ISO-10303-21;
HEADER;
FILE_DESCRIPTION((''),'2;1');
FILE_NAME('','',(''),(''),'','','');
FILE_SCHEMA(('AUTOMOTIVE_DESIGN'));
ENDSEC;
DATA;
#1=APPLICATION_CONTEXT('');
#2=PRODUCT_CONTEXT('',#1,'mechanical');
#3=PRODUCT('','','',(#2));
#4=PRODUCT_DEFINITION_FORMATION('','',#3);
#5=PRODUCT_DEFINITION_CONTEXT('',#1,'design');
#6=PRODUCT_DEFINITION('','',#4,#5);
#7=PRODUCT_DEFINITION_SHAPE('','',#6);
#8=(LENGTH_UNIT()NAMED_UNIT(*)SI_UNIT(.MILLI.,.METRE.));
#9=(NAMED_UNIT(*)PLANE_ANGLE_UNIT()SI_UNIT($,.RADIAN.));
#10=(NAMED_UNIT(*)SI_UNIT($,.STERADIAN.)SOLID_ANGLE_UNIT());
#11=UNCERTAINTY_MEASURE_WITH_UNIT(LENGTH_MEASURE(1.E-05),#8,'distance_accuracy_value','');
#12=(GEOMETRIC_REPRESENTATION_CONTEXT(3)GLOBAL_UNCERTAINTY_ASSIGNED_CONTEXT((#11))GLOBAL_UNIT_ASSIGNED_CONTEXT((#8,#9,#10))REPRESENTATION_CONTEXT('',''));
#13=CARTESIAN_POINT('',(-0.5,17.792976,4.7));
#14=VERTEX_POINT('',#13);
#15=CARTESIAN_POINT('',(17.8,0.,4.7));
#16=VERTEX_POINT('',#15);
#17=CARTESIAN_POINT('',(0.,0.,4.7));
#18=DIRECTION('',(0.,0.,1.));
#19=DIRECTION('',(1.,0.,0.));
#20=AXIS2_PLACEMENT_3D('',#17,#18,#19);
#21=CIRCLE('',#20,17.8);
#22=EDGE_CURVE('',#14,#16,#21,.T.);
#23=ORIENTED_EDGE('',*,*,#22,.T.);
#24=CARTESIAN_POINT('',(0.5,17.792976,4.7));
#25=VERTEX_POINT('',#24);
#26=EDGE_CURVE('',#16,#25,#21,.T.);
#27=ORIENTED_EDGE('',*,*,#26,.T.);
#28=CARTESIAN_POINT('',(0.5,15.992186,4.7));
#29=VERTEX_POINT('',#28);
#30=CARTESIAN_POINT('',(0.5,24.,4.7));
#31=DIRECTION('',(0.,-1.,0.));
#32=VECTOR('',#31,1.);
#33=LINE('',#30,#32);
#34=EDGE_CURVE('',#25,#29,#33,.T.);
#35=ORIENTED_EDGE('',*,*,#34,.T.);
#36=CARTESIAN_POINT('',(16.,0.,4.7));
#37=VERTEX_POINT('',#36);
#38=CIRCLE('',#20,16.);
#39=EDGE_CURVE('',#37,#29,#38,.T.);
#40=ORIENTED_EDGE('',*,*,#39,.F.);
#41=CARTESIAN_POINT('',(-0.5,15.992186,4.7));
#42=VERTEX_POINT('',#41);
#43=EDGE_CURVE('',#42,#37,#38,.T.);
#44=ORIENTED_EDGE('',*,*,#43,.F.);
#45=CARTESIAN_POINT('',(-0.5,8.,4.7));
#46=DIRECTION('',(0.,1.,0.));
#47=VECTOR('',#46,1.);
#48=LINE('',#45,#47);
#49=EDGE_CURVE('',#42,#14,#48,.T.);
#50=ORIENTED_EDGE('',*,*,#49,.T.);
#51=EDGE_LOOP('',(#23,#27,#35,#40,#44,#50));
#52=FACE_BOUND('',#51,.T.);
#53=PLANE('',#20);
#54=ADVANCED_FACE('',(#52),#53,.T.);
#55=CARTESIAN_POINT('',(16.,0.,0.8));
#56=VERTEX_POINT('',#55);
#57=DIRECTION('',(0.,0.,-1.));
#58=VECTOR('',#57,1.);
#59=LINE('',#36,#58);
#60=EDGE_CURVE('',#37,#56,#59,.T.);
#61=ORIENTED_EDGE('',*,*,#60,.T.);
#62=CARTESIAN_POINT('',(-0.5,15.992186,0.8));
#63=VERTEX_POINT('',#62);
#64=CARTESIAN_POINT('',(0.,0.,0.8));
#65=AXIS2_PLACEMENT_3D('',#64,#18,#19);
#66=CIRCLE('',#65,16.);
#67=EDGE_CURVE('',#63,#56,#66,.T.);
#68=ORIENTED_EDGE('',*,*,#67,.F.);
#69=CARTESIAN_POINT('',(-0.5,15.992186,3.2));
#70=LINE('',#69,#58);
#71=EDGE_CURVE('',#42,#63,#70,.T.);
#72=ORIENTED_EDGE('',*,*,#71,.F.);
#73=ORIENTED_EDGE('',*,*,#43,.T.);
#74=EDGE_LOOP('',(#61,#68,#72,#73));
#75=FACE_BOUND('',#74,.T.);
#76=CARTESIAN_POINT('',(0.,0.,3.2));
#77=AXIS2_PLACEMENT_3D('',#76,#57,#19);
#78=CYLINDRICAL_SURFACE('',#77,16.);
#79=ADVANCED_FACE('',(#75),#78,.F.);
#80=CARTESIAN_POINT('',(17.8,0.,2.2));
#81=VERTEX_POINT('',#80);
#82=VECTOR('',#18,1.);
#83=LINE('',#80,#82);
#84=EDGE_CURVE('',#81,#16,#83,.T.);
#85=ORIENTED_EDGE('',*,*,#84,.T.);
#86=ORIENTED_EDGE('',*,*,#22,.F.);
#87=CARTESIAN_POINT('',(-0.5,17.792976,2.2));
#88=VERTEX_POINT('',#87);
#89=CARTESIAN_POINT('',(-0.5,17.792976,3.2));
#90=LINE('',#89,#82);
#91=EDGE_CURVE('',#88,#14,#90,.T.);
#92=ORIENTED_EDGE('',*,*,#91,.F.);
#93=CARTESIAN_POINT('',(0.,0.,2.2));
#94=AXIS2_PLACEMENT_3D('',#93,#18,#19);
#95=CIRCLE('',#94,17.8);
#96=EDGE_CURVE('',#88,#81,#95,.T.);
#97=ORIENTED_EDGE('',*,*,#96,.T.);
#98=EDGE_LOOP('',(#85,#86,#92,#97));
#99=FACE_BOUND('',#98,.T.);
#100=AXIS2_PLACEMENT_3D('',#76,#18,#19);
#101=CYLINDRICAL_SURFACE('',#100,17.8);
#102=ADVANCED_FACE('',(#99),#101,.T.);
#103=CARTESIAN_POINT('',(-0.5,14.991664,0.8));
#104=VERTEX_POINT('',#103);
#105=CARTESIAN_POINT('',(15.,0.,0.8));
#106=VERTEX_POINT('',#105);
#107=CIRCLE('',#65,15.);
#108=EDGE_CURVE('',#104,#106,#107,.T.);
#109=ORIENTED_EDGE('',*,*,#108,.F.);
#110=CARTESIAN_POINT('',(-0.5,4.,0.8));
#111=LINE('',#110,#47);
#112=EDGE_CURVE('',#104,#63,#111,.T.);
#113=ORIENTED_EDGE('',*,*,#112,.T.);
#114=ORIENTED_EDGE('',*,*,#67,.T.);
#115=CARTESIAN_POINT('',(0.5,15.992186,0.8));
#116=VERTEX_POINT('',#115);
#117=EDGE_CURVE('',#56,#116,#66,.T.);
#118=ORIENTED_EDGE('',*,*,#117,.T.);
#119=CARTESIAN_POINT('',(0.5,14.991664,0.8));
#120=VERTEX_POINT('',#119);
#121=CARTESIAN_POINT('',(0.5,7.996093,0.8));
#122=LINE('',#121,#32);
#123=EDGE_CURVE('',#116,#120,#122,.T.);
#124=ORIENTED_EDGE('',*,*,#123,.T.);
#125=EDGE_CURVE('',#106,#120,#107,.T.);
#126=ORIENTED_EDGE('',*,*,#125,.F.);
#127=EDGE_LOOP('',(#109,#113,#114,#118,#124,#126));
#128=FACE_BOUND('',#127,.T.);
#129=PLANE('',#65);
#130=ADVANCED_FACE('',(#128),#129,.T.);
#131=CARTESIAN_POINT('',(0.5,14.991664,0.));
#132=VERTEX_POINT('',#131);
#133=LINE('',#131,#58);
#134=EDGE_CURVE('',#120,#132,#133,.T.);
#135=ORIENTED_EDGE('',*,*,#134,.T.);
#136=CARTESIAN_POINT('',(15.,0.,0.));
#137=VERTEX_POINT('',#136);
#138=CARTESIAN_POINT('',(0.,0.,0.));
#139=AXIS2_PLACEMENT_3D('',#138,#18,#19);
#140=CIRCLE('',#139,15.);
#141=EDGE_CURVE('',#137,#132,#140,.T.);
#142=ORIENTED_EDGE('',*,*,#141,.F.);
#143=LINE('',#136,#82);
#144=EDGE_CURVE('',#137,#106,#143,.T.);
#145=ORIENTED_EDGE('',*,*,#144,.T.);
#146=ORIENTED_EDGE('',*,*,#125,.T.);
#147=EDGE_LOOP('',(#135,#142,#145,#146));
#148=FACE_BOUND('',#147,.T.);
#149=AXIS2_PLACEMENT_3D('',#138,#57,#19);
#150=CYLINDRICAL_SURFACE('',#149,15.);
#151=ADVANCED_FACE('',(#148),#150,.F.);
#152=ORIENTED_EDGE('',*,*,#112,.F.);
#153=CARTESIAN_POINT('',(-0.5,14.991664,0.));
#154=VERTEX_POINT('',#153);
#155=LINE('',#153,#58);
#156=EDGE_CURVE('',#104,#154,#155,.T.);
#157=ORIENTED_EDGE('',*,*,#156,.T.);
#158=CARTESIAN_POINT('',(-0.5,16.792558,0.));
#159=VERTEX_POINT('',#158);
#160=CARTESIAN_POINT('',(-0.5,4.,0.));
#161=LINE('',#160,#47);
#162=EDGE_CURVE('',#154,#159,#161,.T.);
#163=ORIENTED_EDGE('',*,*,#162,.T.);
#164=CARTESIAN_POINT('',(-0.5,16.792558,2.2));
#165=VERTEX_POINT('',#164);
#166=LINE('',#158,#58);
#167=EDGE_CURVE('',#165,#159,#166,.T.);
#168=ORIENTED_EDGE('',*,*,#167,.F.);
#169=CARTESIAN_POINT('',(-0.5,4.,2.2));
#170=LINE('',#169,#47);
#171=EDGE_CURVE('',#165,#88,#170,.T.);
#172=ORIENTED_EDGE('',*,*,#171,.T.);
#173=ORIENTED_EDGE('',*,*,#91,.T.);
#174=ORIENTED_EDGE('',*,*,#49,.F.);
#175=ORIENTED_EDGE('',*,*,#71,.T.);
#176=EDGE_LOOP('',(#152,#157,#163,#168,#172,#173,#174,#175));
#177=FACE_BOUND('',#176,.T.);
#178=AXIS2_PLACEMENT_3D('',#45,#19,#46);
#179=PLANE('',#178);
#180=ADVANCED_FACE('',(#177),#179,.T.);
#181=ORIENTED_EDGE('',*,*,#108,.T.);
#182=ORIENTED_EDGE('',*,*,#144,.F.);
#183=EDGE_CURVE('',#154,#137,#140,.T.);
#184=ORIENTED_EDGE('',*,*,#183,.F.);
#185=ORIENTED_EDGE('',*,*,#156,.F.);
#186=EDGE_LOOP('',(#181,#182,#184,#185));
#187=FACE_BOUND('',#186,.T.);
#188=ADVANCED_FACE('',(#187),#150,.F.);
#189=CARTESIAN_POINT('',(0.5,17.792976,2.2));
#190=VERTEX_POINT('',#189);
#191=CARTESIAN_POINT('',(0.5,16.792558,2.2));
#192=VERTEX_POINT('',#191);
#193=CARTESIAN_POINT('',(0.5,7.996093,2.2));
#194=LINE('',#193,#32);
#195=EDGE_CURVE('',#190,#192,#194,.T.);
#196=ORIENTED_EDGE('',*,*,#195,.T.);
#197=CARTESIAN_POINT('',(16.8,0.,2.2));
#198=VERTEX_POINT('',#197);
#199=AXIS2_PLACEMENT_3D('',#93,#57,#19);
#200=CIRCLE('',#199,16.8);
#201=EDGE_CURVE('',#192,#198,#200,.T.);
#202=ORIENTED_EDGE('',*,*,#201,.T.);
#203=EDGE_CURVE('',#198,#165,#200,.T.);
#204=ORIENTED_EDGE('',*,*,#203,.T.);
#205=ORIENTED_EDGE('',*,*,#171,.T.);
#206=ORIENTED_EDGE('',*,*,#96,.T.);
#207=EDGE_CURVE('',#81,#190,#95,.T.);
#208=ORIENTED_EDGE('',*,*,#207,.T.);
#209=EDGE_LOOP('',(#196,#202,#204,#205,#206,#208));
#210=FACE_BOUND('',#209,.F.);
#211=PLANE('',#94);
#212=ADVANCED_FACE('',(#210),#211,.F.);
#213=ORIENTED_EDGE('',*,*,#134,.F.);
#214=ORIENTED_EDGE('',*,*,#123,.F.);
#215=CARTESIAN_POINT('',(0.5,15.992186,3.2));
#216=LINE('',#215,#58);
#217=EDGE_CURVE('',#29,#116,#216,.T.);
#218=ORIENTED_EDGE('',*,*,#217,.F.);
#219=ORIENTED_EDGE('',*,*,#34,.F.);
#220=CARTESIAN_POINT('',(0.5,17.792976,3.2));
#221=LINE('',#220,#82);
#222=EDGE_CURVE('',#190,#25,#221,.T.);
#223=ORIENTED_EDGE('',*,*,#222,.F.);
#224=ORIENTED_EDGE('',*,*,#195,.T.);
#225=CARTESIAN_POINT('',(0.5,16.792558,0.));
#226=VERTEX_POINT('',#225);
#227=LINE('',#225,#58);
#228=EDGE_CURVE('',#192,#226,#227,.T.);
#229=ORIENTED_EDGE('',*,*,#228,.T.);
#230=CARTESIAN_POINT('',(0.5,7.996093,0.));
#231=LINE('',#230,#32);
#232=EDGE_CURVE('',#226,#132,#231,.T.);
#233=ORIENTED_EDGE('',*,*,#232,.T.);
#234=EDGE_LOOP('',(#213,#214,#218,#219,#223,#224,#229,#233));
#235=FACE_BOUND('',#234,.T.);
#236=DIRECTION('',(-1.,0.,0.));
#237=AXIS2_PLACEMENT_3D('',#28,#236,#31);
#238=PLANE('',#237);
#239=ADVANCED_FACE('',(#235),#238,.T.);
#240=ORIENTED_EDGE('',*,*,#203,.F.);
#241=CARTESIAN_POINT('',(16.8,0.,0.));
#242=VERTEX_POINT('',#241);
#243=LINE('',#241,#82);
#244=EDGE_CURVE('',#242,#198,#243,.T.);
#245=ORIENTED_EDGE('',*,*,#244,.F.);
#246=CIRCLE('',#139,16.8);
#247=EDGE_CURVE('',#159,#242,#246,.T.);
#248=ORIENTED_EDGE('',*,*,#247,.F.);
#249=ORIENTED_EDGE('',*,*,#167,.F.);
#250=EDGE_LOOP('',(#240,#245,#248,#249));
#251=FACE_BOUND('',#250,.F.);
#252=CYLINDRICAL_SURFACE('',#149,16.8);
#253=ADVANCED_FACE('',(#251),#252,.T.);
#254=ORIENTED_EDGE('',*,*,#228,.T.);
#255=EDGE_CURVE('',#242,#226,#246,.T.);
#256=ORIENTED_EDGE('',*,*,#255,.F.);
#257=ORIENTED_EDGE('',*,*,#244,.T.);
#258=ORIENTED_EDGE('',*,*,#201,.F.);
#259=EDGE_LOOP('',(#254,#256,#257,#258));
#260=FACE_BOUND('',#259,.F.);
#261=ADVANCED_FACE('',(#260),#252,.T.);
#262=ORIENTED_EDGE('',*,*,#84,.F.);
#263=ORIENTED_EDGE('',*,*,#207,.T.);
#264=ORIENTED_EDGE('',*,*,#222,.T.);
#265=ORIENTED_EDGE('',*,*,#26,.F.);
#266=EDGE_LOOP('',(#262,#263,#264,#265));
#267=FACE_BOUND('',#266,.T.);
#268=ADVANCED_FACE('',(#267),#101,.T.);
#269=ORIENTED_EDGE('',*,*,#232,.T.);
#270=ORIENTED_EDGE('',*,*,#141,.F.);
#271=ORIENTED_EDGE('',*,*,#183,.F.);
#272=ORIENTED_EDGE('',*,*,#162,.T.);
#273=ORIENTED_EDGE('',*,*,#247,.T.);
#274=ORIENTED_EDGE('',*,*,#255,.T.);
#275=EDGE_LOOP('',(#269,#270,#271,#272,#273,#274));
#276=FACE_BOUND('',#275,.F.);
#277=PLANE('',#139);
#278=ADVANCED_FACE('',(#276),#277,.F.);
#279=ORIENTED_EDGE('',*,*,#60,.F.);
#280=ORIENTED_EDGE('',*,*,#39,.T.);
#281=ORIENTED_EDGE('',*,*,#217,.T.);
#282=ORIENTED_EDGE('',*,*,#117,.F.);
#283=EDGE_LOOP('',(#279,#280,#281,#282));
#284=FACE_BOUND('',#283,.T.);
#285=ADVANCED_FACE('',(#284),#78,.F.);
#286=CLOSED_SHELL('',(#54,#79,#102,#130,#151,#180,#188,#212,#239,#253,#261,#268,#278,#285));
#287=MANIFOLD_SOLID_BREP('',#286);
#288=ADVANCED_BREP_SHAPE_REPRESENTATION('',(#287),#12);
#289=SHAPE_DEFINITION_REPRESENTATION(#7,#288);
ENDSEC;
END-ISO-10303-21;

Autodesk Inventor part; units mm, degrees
ref_plane "YZ Plane" through (0, 0, 0) normal (1, 0, 0) x (0, 1, 0)
ref_plane "XZ Plane" through (0, 0, 0) normal (0, 1, 0) x (-1, 0, 0)
ref_plane "XY Plane" through (0, 0, 0) normal (0, 0, 1) x (1, 0, 0)
sketch "Sketch1" plane through (0, 0, 0) normal (0, 0, 1) x (1, 0, 0)
  circle A0 centre (0, 0) radius 16.8
  circle A1 centre (0, 0) radius 15
  circle A2 centre (0, 0) radius 17.8
  circle A3 centre (0, 0) radius 16
  dimension "d0" = 33.6
  dimension "d1" = 30
  dimension "d2" = 35.6
  dimension "d3" = 32
extrude "Extrusion1" add sketch "Sketch1" along normal blind 0.8 contours A3
extrude "Extrusion2" add sketch "Sketch1" along normal blind 3.2 contours A0
sketch "Sketch2" plane through (0, 0, 3.2) normal (0, 0, 1) x (1, 0, 0)
  circle A0 centre (0, 0) radius 17.8 projected
  circle A1 centre (0, 0) radius 16 projected
extrude "Extrusion3" add sketch "Sketch2" along normal blind 1.5
extrude "Extrusion5" add sketch "Sketch2" against normal blind 1
sketch "Sketch3" plane through (0, 0, 4.7) normal (0, 0, 1) x (1, 0, 0)
  line L0 (0.5, 8) -> (-0.5, 8)
  line L1 (-0.5, 8) -> (-0.5, 24)
  line L2 (-0.5, 24) -> (0.5, 24)
  line L3 (0.5, 24) -> (0.5, 8)
  circle A0 centre (0, 0) radius 16 projected
  line L4 (0.5, 8) -> (-0.5, 24) construction
  line L5 (-0.5, 8) -> (0.5, 24) construction
  point P0 (0, 16)
  dimension "d10" = 1
  dimension "d11" = 16
extrude "Extrusion4" cut sketch "Sketch3" against normal blind 10 contours L0 L1 A0 L3 | A0 L1 L2 L3 picked at (0.0556, 10.6664)
properties part number "32to36mm-FilterAdapter"
